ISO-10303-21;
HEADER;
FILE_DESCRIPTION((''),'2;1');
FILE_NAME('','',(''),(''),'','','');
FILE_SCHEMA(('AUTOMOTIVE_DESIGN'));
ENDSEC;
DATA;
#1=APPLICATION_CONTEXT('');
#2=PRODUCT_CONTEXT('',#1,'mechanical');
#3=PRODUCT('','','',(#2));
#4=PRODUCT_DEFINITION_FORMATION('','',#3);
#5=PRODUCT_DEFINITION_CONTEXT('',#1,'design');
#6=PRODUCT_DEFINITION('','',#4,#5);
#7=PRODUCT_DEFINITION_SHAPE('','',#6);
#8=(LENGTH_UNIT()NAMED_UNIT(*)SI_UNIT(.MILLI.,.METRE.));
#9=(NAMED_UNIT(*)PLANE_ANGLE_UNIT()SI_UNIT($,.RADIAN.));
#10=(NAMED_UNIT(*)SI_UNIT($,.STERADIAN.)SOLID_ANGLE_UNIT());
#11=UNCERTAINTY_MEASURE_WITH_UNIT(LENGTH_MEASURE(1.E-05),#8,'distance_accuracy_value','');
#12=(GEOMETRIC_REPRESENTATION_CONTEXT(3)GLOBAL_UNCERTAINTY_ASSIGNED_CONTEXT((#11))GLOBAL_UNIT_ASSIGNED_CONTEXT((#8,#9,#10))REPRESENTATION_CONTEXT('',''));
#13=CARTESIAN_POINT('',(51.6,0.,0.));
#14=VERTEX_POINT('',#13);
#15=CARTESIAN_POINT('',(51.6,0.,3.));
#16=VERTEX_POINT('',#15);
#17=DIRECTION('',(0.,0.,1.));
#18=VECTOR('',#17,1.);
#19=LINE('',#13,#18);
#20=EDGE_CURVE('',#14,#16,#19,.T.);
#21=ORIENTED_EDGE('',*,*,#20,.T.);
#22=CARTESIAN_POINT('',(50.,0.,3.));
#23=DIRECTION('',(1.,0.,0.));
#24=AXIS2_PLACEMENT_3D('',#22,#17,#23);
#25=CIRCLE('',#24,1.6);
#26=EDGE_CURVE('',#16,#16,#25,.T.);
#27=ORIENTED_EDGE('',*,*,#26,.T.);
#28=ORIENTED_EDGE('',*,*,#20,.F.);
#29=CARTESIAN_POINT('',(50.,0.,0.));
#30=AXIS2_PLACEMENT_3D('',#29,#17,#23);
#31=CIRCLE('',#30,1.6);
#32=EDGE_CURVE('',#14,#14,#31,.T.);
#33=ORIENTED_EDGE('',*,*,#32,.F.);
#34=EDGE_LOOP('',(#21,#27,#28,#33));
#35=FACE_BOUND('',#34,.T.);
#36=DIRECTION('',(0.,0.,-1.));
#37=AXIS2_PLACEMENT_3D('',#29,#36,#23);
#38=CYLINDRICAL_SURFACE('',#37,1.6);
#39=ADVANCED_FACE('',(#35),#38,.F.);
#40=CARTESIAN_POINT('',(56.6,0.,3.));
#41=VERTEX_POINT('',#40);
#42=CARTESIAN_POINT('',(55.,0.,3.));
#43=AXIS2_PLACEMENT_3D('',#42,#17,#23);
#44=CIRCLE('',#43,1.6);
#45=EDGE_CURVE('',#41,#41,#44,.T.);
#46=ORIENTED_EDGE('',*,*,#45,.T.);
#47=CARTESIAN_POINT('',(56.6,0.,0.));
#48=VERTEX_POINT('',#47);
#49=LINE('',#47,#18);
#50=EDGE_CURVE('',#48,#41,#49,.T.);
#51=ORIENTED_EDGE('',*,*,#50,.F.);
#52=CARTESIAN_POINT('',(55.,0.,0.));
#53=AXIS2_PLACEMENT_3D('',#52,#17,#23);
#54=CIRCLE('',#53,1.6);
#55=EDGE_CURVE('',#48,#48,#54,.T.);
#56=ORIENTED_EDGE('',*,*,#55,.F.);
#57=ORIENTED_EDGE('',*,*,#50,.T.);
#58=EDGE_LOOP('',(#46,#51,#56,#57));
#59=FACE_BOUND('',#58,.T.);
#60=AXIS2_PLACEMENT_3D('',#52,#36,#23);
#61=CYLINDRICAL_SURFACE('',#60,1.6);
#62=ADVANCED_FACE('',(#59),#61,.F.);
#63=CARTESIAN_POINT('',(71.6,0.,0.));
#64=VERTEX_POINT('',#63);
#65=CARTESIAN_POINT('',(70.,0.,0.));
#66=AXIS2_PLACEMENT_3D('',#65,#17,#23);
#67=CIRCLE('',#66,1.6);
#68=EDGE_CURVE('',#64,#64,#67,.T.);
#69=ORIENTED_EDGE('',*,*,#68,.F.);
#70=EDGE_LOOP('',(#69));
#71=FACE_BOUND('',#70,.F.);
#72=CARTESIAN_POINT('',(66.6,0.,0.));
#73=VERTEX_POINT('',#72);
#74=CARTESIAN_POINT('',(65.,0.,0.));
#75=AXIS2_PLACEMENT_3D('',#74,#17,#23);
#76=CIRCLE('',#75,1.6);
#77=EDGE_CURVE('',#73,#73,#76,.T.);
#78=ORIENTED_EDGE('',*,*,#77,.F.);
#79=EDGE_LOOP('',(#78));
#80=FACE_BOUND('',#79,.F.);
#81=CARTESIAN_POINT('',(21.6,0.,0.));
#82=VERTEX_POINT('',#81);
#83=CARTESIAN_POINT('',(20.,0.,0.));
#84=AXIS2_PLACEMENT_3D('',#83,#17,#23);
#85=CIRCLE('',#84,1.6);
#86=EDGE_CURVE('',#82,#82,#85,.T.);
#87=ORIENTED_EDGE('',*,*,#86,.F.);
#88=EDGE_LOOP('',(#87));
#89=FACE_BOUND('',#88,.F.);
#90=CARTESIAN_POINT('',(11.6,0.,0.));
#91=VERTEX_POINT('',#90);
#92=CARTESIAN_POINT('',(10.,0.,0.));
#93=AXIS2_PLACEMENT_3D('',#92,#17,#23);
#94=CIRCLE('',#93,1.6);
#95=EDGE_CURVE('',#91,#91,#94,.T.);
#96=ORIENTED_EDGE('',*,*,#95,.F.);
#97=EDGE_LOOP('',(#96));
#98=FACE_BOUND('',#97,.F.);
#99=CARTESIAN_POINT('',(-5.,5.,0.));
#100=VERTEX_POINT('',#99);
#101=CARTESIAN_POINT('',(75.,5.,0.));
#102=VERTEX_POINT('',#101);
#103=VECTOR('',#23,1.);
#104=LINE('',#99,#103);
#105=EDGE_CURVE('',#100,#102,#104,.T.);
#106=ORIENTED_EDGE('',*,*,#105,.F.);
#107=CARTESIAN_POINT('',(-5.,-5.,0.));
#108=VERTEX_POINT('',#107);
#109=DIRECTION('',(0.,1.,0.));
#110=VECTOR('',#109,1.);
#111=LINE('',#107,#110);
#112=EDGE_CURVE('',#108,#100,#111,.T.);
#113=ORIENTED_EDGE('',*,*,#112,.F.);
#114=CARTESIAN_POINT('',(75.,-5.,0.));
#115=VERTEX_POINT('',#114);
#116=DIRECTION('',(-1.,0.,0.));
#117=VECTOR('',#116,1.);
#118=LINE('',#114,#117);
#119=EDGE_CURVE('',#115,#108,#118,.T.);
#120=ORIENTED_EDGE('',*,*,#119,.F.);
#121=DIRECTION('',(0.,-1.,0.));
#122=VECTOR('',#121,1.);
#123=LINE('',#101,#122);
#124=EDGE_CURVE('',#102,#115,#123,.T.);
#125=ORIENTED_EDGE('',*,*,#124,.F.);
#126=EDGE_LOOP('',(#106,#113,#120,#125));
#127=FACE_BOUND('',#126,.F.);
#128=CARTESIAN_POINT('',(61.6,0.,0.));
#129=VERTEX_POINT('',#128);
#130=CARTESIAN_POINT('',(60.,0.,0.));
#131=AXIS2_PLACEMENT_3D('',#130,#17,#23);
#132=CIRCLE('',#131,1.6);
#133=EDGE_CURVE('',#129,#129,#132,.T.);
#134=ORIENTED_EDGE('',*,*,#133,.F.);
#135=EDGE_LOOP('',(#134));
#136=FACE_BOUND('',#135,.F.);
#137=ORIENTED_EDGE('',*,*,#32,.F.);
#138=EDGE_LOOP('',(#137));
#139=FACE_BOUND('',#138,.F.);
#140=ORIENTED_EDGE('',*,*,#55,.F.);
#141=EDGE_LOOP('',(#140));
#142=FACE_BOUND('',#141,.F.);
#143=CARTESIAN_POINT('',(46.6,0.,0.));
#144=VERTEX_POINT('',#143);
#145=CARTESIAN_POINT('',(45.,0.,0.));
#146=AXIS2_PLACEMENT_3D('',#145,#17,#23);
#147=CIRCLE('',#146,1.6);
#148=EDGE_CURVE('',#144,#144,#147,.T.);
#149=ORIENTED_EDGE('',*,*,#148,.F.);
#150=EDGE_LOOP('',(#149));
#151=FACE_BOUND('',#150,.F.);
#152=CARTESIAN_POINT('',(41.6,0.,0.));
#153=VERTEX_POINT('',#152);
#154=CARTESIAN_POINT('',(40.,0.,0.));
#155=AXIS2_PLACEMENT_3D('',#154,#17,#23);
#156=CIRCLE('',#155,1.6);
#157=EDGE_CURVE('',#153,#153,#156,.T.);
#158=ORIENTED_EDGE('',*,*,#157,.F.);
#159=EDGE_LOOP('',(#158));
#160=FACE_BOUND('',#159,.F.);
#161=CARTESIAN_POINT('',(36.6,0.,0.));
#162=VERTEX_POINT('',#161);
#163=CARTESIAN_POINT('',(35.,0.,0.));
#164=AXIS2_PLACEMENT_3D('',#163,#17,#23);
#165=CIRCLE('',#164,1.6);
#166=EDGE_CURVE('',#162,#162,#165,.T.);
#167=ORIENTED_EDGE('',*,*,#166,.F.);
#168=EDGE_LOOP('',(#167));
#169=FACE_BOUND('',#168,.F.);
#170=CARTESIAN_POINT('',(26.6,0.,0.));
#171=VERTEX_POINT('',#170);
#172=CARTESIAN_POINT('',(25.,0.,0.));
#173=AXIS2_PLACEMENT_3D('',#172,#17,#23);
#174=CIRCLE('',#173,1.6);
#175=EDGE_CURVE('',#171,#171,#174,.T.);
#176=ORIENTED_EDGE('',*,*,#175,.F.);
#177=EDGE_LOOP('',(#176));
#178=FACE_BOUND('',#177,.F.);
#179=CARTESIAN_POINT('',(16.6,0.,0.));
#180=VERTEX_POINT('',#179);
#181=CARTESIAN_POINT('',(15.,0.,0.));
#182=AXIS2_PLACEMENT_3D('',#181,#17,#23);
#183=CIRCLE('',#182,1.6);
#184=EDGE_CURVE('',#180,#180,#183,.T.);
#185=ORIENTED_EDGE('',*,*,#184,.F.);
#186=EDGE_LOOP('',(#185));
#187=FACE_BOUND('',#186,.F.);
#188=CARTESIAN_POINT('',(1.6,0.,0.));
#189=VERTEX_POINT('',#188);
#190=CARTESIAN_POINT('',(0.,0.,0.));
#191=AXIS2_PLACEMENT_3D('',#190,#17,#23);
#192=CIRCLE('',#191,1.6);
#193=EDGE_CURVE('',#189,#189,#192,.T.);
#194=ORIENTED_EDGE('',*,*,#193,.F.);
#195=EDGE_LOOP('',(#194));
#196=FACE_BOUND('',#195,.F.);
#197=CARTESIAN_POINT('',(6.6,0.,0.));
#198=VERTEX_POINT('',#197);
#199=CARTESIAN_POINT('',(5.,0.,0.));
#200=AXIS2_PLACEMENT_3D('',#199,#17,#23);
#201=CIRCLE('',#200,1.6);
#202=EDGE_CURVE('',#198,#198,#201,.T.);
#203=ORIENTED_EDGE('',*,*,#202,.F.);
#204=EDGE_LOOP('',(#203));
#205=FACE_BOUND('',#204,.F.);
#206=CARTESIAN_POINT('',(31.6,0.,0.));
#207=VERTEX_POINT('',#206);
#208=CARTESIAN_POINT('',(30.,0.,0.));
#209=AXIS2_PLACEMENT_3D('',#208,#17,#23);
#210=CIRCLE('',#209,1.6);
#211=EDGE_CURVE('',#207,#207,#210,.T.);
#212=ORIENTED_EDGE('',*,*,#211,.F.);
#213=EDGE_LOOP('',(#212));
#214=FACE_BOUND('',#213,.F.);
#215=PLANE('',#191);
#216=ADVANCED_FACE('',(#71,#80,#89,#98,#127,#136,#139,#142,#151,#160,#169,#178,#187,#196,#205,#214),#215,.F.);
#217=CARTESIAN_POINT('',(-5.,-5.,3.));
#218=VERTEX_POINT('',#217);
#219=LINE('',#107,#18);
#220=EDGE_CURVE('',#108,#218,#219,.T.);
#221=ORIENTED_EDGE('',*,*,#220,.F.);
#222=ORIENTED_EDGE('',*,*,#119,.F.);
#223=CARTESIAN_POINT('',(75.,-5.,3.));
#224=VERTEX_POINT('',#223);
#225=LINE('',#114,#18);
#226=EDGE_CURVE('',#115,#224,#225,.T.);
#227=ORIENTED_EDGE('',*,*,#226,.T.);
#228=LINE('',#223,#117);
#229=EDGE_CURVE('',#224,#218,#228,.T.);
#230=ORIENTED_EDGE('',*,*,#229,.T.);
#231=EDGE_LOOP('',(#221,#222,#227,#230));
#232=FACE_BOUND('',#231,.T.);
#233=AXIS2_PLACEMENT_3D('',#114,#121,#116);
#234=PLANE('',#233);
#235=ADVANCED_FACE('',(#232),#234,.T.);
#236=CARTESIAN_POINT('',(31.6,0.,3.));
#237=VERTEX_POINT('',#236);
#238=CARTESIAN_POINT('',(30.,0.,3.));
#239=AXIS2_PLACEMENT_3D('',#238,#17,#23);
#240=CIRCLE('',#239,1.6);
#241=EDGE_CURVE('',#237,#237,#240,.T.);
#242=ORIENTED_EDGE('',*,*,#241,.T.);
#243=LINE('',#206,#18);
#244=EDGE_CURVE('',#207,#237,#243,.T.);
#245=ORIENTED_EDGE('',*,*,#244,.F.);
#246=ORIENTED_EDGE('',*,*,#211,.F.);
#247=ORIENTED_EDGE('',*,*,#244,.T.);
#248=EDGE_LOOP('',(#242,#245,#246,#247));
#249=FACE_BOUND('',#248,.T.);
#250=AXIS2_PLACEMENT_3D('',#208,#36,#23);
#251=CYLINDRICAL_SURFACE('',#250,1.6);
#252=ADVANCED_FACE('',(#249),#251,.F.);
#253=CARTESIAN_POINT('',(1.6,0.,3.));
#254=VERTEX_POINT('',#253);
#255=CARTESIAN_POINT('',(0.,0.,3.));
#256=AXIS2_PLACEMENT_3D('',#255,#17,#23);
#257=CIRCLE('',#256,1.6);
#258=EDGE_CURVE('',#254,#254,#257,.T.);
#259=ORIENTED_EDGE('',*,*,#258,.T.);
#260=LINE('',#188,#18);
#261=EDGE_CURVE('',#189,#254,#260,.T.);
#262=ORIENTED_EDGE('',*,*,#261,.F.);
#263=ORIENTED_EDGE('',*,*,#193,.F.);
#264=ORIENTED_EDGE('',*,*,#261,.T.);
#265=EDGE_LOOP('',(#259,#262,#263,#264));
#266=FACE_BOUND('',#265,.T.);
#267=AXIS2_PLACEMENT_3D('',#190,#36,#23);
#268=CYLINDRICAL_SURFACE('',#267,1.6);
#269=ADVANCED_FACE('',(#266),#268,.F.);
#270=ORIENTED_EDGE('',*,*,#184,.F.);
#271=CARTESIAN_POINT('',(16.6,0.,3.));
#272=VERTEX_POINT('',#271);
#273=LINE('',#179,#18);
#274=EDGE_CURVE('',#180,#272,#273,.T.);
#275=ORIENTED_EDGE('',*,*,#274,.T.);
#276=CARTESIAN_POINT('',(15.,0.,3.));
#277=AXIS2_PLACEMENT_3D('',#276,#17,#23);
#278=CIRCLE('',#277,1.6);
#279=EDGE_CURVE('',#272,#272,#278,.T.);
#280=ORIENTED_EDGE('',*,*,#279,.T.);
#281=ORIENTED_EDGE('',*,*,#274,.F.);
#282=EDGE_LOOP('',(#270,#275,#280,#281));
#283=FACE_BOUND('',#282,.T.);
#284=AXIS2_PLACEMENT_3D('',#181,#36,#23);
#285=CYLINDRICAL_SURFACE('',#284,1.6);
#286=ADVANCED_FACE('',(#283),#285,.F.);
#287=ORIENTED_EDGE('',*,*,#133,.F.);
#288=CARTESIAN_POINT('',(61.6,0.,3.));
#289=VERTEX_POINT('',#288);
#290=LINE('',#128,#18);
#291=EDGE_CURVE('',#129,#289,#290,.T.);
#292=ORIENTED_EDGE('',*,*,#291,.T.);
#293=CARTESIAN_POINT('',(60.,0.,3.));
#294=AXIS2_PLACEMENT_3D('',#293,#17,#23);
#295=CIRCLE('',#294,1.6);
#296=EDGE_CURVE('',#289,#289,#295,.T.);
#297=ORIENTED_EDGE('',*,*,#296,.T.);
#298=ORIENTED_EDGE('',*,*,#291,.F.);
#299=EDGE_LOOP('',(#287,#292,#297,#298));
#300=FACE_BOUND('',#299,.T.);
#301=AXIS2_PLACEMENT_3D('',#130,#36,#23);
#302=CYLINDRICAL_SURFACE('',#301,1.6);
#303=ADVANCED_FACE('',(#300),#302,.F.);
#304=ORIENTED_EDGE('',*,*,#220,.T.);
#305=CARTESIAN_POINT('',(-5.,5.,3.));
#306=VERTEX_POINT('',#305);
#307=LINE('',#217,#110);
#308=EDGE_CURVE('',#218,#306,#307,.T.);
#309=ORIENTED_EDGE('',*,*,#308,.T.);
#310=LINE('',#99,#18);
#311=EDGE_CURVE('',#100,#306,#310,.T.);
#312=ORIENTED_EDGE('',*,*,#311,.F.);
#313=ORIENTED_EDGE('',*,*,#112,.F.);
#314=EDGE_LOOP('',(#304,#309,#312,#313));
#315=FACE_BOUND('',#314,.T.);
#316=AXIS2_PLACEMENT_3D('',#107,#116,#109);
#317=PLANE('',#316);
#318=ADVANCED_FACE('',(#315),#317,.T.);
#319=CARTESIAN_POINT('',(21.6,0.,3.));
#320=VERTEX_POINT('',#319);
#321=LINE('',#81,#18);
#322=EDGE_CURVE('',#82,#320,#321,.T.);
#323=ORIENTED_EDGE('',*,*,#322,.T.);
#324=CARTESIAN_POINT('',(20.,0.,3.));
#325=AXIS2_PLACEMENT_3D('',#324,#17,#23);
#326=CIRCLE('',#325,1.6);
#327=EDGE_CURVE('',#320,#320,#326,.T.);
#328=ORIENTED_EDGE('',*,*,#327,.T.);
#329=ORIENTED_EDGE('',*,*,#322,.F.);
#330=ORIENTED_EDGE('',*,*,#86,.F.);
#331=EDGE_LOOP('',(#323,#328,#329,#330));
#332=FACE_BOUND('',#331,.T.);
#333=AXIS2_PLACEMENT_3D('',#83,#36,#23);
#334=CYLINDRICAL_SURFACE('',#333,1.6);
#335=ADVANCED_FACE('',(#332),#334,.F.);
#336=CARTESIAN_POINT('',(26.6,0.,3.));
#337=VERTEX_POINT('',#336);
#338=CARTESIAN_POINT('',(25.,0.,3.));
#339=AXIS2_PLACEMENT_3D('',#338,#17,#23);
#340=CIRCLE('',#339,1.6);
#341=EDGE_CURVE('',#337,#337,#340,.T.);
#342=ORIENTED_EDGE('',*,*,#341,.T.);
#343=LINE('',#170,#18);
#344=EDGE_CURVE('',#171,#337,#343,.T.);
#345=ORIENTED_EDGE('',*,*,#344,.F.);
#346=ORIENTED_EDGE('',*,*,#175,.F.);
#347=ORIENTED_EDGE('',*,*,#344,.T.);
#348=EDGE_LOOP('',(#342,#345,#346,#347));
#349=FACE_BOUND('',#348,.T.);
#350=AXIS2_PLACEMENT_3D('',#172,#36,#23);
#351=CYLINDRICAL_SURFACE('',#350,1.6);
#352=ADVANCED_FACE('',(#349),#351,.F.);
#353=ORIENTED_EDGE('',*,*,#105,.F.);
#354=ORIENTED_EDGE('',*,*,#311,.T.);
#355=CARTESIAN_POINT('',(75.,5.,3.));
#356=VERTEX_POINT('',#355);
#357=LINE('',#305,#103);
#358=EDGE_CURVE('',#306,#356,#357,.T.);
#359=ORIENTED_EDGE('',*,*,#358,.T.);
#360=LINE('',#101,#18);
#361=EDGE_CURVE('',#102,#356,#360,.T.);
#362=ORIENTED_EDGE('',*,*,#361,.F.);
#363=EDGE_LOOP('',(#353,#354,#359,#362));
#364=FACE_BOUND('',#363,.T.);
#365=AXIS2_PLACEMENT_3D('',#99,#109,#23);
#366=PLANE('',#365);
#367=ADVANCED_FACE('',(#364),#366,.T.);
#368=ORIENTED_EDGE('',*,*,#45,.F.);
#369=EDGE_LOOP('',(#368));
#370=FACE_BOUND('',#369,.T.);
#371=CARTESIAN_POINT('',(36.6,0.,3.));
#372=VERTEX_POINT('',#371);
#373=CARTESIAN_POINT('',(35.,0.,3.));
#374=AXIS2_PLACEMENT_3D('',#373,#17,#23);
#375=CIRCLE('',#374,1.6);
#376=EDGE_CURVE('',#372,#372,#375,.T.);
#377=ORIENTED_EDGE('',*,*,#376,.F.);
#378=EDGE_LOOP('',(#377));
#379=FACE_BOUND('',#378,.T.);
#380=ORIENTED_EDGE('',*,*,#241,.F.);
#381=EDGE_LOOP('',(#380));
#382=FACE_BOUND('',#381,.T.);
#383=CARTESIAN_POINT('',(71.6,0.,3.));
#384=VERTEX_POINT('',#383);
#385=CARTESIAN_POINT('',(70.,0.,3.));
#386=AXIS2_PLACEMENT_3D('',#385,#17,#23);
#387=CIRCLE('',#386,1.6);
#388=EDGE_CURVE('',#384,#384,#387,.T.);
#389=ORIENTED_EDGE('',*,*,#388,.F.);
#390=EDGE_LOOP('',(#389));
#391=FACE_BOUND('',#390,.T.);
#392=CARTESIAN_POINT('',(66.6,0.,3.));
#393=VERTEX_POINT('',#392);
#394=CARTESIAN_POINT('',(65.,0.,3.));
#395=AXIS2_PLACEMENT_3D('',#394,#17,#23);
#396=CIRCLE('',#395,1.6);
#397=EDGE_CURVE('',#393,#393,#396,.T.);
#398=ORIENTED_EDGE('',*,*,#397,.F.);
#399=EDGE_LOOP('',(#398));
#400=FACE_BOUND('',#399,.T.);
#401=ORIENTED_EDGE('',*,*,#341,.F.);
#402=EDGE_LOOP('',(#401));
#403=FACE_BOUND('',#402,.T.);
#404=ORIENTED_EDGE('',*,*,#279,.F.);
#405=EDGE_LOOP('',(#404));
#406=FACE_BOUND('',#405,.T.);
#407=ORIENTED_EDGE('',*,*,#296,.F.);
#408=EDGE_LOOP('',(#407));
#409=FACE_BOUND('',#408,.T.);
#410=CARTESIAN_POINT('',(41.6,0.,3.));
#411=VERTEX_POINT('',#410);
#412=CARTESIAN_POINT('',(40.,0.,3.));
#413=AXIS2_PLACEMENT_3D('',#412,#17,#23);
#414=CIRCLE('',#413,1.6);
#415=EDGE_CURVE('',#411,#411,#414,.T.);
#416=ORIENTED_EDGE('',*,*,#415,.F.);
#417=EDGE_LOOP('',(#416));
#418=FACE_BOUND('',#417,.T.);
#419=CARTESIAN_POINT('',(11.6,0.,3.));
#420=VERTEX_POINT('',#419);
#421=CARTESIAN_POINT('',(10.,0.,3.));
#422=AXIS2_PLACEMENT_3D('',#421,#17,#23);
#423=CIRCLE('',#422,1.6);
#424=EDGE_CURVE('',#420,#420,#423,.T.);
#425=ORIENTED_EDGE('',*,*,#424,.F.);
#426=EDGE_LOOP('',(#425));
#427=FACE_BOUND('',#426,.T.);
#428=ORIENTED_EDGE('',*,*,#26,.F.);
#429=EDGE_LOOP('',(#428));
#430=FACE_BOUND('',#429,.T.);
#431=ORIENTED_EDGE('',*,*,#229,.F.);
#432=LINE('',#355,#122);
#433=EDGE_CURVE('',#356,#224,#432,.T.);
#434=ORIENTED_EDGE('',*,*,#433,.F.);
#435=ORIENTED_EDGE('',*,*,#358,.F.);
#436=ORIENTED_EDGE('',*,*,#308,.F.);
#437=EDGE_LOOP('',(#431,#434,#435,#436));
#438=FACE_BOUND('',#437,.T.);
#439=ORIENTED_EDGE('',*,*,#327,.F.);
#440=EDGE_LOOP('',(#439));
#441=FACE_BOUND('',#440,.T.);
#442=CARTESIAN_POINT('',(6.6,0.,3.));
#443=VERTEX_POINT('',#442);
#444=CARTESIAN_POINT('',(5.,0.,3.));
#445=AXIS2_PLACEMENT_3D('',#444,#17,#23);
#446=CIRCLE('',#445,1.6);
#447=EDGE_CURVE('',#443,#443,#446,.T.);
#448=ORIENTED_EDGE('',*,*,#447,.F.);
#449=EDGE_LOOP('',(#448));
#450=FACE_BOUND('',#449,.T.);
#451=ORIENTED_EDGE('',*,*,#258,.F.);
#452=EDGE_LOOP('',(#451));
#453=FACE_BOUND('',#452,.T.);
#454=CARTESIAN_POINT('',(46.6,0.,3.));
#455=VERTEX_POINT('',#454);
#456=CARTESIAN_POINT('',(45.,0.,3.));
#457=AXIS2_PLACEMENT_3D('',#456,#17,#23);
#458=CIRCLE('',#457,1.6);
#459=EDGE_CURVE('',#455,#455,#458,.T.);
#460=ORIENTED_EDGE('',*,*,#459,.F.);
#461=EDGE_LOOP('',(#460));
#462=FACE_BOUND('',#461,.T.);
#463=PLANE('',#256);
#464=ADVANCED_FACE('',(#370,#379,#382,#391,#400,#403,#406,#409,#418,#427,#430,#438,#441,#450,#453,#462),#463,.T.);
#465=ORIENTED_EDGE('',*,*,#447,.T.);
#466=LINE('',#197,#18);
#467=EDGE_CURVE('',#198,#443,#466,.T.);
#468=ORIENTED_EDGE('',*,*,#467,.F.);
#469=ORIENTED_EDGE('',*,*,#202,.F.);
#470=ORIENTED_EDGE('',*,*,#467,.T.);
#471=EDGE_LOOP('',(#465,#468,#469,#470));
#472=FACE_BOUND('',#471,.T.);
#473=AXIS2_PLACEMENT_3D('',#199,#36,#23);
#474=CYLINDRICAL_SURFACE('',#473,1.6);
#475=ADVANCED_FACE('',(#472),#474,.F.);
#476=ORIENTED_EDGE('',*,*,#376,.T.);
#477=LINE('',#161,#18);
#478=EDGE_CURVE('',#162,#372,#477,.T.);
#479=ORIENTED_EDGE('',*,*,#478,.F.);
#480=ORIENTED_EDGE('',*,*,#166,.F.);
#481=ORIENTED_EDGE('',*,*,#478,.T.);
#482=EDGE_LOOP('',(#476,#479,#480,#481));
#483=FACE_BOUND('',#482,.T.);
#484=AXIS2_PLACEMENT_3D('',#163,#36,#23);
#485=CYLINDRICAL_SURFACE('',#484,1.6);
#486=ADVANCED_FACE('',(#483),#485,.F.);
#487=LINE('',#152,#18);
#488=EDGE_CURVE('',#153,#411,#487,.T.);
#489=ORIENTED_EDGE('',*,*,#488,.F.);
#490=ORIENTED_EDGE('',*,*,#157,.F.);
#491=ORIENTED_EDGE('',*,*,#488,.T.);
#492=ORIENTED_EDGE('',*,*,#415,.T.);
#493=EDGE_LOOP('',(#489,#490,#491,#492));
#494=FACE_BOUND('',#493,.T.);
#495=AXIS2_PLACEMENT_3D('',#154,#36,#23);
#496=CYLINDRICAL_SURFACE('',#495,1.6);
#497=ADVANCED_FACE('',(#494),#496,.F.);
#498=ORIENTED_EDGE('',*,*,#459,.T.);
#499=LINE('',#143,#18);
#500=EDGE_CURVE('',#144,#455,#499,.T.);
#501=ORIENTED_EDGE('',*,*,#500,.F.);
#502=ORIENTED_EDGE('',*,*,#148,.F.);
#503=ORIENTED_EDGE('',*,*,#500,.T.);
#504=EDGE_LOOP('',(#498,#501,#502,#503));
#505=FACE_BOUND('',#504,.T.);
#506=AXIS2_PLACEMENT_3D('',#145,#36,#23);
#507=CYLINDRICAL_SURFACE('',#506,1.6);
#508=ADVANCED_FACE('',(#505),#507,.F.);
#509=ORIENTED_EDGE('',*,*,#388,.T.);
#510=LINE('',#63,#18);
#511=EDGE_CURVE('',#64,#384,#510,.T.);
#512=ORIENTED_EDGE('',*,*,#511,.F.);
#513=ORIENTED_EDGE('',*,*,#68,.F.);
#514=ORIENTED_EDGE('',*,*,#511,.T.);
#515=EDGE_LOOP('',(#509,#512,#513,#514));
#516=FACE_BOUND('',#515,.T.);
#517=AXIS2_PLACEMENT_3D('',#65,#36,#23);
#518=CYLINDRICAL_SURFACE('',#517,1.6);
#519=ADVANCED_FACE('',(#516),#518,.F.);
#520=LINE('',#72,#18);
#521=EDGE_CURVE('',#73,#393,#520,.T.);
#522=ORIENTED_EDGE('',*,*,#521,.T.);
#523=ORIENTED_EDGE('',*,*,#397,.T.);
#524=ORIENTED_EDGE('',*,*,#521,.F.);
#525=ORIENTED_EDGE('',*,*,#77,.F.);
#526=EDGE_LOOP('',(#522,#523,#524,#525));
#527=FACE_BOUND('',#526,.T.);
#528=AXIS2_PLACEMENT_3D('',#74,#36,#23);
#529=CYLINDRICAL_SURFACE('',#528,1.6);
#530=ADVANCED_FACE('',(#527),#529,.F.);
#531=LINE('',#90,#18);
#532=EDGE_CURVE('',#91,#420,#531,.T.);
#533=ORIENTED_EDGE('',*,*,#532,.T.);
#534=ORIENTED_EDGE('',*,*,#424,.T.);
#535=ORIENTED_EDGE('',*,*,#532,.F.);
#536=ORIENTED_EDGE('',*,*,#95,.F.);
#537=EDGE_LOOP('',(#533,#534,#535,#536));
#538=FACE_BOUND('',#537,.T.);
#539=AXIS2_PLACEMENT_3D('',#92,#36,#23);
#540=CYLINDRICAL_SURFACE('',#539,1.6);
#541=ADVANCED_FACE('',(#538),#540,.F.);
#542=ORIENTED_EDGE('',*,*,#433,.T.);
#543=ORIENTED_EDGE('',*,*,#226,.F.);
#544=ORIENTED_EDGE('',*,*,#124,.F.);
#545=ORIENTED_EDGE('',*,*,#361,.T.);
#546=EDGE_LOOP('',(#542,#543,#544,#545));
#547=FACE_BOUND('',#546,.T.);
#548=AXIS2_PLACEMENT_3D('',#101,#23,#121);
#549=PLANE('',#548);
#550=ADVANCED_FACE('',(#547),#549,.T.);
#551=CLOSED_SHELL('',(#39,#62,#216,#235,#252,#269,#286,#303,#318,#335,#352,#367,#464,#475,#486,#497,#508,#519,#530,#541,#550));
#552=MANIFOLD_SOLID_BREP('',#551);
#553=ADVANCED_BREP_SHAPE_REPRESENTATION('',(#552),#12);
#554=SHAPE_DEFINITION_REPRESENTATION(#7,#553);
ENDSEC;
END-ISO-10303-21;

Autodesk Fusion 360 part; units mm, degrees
sketch "Sketch2" plane through (0, 0, 0) normal (0, 0, 1) x (1, 0, 0)
  circle A0 centre (0, 0) radius 1.6
  line L0 (-5, 5) -> (75, 5)
  line L1 (75, 5) -> (75, -5)
  line L2 (75, -5) -> (-5, -5)
  line L3 (-5, -5) -> (-5, 5)
  line L4 (-5, 0) -> (75, 0) construction
  circle A1 centre (5, 0) radius 1.6
  circle A2 centre (10, 0) radius 1.6
  circle A3 centre (15, 0) radius 1.6
  circle A4 centre (20, 0) radius 1.6
  circle A5 centre (25, 0) radius 1.6
  circle A6 centre (30, 0) radius 1.6
  circle A7 centre (35, 0) radius 1.6
  circle A8 centre (40, 0) radius 1.6
  circle A9 centre (45, 0) radius 1.6
  circle A10 centre (50, 0) radius 1.6
  circle A11 centre (55, 0) radius 1.6
  circle A12 centre (60, 0) radius 1.6
  circle A13 centre (65, 0) radius 1.6
  circle A14 centre (70, 0) radius 1.6
  dimension "d46" = 3.2
  dimension "d47" = 80
  dimension "d48" = 10
  dimension "d49" = 5
  dimension "d52" = 5
  dimension "d53" = 0
extrude "Extrude2" add sketch "Sketch2" along normal blind 3
equation "d46 = HoleDiameter"
equation "d47 = LegLength"
equation "d48 = LegWidth"
equation "d49 = HoleSpacing"
equation "d50 = LegLength / HoleSpacing - 1"
equation "d52 = HoleSpacing"
equation "d54 = Thickness"
equation "HoleDiameter = 3.2 mm"
equation "Thickness = 3 mm"
equation "HoleSpacing = 5 mm"
equation "LegWidth = 10 mm"
equation "LegLength = 80 mm"
